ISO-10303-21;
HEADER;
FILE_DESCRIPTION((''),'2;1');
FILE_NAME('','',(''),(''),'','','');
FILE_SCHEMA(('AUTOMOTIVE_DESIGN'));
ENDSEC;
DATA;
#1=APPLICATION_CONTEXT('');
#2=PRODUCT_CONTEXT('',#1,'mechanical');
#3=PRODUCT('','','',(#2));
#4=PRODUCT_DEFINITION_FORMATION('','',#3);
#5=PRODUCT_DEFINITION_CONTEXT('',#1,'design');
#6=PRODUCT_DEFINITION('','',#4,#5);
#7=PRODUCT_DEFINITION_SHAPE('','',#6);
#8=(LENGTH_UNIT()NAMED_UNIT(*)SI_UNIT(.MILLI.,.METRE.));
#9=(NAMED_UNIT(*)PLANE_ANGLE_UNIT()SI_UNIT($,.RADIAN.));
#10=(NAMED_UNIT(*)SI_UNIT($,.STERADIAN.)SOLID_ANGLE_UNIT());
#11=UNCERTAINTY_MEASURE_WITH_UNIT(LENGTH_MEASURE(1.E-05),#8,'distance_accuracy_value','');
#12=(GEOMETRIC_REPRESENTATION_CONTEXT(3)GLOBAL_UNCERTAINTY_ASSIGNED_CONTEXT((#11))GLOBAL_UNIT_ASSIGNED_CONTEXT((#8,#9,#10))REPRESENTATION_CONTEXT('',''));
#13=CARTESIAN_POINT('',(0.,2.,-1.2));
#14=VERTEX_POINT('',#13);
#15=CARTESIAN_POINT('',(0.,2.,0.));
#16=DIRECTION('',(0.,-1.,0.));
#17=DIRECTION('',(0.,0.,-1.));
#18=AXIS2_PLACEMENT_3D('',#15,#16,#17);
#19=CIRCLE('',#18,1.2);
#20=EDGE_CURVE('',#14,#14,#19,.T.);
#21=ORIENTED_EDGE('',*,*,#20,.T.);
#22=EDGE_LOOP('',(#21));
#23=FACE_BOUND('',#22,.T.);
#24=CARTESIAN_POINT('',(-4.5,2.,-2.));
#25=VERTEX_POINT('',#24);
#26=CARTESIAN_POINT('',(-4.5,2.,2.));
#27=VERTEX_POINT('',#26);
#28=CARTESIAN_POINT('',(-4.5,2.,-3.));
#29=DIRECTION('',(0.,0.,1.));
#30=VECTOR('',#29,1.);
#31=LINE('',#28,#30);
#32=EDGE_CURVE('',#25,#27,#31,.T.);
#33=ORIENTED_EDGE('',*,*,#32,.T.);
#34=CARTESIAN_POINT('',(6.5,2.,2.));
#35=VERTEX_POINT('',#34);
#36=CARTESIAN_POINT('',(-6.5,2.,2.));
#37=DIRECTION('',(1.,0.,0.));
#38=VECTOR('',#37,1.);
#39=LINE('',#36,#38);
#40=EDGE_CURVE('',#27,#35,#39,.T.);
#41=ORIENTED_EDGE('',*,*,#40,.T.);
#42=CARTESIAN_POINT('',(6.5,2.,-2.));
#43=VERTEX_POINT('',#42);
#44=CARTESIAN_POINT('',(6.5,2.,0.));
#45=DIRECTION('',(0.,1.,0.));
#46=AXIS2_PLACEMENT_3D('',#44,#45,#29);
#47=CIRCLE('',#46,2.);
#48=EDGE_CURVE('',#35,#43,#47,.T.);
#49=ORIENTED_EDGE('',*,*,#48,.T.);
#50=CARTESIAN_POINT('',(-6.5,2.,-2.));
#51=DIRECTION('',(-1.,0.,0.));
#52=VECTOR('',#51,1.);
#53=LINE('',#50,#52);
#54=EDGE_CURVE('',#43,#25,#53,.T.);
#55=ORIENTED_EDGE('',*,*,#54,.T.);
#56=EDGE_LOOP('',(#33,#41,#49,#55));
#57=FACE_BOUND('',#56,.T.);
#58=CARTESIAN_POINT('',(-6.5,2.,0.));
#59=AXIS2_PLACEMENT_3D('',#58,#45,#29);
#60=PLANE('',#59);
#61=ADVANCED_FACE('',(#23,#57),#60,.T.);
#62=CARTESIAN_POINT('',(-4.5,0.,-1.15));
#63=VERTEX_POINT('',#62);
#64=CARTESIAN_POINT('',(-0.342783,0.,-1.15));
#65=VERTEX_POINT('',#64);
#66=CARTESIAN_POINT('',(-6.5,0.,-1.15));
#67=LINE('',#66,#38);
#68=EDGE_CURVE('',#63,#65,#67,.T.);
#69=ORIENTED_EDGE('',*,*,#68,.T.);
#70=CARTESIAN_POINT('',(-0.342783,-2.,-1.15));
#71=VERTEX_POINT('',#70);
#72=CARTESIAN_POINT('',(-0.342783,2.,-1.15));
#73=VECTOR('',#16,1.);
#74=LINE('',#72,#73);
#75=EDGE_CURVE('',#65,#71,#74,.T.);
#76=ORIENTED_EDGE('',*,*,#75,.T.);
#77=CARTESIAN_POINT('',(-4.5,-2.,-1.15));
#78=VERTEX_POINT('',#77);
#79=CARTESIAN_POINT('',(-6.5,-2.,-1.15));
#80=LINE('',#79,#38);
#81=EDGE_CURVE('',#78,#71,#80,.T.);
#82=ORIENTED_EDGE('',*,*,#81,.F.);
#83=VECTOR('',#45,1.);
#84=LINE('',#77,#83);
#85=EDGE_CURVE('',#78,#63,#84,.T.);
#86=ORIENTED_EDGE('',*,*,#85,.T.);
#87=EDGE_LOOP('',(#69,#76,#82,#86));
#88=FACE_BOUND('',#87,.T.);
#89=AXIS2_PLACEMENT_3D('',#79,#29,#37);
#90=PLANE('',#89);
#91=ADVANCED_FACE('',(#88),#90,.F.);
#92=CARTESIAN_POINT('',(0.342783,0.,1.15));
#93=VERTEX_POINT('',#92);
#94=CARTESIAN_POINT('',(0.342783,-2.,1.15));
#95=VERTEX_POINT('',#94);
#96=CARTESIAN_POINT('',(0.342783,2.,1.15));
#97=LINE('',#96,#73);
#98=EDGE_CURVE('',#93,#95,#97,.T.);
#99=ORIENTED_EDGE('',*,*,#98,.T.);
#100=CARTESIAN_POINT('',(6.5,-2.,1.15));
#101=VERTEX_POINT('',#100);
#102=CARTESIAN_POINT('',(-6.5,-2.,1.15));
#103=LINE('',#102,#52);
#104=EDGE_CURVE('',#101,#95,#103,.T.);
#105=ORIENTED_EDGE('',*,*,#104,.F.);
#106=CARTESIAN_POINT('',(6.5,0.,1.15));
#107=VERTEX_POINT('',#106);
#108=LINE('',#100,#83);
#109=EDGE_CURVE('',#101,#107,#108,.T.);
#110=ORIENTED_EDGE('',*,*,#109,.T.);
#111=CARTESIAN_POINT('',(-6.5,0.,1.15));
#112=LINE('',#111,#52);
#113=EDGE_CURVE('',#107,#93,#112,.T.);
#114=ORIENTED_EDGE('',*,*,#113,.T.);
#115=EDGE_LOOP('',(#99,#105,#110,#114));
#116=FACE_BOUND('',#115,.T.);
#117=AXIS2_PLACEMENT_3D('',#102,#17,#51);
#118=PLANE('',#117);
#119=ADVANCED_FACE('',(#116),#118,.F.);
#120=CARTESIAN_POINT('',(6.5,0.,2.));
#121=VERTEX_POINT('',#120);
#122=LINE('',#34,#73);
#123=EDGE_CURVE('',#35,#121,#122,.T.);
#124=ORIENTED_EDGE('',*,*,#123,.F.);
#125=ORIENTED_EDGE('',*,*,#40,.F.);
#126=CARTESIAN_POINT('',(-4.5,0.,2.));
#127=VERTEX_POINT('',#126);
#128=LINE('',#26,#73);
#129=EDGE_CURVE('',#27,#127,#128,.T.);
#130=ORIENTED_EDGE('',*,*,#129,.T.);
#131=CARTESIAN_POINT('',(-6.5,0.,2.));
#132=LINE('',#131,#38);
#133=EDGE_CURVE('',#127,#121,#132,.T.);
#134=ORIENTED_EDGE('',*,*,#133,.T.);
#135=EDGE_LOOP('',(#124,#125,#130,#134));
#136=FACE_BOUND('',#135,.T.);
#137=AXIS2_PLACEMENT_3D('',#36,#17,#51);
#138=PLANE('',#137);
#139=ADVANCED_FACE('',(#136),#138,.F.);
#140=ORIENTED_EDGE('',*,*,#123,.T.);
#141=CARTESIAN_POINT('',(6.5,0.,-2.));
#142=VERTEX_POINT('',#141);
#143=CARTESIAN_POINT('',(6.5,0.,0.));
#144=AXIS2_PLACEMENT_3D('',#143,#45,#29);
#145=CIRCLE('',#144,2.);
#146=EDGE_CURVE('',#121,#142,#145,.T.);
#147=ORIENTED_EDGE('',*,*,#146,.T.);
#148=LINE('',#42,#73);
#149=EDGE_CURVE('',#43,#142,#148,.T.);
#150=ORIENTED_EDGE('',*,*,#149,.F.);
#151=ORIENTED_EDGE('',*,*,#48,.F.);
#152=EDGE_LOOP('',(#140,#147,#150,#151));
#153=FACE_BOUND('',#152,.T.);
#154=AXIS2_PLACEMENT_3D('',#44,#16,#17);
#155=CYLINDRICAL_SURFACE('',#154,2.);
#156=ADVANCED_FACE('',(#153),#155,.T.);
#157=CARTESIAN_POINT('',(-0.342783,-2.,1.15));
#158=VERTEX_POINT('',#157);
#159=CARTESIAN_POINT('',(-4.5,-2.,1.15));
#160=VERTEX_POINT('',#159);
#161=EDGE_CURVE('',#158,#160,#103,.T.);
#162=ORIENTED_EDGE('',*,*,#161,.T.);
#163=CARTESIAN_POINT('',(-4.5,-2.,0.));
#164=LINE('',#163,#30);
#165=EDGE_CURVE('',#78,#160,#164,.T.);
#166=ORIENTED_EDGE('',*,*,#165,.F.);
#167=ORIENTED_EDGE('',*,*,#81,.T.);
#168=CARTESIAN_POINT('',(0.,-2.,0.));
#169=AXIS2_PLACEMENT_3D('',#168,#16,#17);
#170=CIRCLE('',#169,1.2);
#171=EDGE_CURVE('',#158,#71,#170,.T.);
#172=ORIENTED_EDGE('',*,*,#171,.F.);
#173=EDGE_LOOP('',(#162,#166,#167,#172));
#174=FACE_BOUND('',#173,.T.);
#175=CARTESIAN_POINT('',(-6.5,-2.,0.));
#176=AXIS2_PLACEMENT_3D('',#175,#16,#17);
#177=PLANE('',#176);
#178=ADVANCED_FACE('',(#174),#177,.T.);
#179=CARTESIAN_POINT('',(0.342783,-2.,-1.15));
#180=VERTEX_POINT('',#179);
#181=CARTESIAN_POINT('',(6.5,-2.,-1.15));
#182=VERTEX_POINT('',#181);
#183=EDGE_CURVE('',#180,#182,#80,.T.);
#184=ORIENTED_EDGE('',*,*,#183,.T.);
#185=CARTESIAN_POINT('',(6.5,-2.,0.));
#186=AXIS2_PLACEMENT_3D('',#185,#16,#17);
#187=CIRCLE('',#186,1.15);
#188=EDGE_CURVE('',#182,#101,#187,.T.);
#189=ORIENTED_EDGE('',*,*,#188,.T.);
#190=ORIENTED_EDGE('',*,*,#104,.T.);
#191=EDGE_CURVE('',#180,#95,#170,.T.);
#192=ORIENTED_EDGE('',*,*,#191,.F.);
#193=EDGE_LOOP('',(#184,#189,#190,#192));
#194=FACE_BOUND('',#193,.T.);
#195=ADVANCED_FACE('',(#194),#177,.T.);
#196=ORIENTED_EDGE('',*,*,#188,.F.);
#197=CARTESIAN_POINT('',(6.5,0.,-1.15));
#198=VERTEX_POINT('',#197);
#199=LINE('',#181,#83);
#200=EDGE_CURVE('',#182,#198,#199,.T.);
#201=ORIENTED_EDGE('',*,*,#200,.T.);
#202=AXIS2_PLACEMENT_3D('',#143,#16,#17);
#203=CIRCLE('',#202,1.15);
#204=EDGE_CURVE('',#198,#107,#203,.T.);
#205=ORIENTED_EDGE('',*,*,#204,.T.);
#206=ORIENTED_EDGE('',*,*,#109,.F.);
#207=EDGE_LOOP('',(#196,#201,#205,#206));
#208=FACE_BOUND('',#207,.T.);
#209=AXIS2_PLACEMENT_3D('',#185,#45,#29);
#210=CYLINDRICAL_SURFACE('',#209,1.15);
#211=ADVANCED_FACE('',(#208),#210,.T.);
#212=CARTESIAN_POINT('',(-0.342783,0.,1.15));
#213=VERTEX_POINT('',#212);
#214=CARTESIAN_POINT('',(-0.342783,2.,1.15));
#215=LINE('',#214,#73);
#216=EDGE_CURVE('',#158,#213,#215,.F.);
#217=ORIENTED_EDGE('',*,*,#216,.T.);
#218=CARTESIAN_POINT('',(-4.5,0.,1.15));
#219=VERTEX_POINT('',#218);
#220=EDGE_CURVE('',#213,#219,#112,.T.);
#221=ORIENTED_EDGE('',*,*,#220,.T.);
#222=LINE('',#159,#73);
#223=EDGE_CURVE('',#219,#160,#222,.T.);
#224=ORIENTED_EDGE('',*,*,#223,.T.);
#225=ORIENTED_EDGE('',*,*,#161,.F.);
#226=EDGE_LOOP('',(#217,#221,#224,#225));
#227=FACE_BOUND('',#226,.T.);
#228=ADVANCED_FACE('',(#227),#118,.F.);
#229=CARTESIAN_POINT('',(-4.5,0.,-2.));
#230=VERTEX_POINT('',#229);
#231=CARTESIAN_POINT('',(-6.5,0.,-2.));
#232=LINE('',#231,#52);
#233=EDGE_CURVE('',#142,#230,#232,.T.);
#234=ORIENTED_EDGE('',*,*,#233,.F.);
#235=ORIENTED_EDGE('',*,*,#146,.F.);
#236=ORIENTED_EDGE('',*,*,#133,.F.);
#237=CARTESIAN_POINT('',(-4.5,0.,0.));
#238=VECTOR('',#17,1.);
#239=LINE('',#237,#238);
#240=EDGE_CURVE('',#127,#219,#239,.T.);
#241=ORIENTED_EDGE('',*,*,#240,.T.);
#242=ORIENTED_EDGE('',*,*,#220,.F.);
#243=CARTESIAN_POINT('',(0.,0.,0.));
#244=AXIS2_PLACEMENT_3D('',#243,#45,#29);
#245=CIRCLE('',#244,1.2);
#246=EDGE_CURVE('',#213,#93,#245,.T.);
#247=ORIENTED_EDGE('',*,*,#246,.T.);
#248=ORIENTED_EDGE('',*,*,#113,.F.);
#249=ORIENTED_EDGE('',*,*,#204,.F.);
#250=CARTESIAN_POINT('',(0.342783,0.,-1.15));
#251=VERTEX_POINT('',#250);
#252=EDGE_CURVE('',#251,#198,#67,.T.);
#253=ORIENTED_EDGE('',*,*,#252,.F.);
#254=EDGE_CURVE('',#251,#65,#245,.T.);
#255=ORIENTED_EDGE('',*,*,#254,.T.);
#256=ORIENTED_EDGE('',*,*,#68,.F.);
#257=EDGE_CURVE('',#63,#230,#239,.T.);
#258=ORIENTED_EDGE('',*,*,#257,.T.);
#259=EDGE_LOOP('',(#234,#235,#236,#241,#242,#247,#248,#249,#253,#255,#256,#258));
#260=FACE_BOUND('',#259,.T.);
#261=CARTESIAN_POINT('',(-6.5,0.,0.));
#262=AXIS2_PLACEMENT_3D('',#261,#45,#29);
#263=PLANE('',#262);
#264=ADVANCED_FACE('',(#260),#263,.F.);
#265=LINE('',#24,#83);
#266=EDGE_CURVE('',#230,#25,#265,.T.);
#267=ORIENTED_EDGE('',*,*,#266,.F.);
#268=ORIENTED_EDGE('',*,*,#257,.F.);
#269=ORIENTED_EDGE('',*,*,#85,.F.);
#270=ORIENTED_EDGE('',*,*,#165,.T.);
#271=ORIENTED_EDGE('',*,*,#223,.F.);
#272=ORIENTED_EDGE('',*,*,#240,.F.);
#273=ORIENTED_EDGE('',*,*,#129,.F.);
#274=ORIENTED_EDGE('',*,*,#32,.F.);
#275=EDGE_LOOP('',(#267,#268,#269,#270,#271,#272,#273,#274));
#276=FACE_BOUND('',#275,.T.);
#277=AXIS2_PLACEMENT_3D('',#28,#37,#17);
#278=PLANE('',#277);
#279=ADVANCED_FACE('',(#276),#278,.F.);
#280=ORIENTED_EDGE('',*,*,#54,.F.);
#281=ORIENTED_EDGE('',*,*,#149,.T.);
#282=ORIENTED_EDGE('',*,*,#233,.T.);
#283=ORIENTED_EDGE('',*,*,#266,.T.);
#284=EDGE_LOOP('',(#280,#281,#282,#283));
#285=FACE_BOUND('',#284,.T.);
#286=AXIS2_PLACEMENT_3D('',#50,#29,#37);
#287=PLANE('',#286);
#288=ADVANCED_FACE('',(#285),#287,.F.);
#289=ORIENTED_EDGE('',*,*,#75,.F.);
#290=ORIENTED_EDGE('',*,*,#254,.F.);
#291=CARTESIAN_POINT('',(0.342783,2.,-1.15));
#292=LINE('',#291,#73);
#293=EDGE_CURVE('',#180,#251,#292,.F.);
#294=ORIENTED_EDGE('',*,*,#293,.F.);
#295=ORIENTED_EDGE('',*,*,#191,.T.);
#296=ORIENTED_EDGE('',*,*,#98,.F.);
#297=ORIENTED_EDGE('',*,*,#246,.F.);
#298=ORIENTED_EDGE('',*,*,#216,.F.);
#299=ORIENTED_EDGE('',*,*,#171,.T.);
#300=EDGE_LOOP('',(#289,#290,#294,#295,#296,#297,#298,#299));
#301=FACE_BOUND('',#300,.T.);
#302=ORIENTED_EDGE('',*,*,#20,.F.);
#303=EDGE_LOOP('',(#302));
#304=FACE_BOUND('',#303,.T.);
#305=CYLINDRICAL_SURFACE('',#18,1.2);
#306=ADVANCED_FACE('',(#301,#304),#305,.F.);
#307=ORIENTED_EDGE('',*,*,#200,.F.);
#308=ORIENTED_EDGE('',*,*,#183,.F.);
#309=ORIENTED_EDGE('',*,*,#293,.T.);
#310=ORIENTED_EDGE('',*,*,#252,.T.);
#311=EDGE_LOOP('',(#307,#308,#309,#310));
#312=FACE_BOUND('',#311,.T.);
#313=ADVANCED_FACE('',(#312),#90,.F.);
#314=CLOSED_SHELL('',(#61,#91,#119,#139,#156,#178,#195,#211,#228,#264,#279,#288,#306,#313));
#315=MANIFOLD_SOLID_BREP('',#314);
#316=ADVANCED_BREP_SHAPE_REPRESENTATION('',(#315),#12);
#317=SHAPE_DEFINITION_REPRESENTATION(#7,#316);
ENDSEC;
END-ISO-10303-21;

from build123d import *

# Parameters (mm, degrees)
BOSS_EXTRUDE1_DEPTH = 2
BOSS_EXTRUDE2_DEPTH = 2
SKETCH3_R           = 1.2
CUT_EXTRUDE1_DEPTH  = 5
SKETCH4_W           = 6
SKETCH4_H           = 6
CUT_EXTRUDE2_DEPTH  = 5


with BuildPart() as part:
    # Sketch1 → Boss-Extrude1 (new body)
    with BuildSketch(Plane(origin=(0, 0, 0), x_dir=(1, 0, 0), z_dir=(0, 1, 0))):
        with BuildLine():
            Line((-6.5, 2), (6.5, 2))
            ThreePointArc((6.5, 2), (8.5, 0), (6.5, -2))
            Line((6.5, -2), (-6.5, -2))
            ThreePointArc((-6.5, -2), (-8.5, 0), (-6.5, 2))
        make_face()
    extrude(amount=BOSS_EXTRUDE1_DEPTH)

    # Sketch2 → Boss-Extrude2 (add)
    with BuildSketch(Plane.XZ):
        with BuildLine():
            Line((-6.5, 1.15), (6.5, 1.15))
            ThreePointArc((6.5, 1.15), (7.65, 0), (6.5, -1.15))
            Line((6.5, -1.15), (-6.5, -1.15))
            ThreePointArc((-6.5, -1.15), (-7.65, 0), (-6.5, 1.15))
        make_face()
    extrude(amount=BOSS_EXTRUDE2_DEPTH)

    # Sketch3 → Cut-Extrude1 (cut, through all)
    with BuildSketch(Plane.XZ.offset(2)):
        Circle(SKETCH3_R)
    extrude(amount=-CUT_EXTRUDE1_DEPTH, mode=Mode.SUBTRACT)

    # Sketch4 → Cut-Extrude2 (cut, through all)
    with BuildSketch(Plane.XZ.offset(2)):
        with Locations((-7.5, 0)):
            Rectangle(SKETCH4_W, SKETCH4_H)
    extrude(amount=-CUT_EXTRUDE2_DEPTH, mode=Mode.SUBTRACT)


solid = part.part
